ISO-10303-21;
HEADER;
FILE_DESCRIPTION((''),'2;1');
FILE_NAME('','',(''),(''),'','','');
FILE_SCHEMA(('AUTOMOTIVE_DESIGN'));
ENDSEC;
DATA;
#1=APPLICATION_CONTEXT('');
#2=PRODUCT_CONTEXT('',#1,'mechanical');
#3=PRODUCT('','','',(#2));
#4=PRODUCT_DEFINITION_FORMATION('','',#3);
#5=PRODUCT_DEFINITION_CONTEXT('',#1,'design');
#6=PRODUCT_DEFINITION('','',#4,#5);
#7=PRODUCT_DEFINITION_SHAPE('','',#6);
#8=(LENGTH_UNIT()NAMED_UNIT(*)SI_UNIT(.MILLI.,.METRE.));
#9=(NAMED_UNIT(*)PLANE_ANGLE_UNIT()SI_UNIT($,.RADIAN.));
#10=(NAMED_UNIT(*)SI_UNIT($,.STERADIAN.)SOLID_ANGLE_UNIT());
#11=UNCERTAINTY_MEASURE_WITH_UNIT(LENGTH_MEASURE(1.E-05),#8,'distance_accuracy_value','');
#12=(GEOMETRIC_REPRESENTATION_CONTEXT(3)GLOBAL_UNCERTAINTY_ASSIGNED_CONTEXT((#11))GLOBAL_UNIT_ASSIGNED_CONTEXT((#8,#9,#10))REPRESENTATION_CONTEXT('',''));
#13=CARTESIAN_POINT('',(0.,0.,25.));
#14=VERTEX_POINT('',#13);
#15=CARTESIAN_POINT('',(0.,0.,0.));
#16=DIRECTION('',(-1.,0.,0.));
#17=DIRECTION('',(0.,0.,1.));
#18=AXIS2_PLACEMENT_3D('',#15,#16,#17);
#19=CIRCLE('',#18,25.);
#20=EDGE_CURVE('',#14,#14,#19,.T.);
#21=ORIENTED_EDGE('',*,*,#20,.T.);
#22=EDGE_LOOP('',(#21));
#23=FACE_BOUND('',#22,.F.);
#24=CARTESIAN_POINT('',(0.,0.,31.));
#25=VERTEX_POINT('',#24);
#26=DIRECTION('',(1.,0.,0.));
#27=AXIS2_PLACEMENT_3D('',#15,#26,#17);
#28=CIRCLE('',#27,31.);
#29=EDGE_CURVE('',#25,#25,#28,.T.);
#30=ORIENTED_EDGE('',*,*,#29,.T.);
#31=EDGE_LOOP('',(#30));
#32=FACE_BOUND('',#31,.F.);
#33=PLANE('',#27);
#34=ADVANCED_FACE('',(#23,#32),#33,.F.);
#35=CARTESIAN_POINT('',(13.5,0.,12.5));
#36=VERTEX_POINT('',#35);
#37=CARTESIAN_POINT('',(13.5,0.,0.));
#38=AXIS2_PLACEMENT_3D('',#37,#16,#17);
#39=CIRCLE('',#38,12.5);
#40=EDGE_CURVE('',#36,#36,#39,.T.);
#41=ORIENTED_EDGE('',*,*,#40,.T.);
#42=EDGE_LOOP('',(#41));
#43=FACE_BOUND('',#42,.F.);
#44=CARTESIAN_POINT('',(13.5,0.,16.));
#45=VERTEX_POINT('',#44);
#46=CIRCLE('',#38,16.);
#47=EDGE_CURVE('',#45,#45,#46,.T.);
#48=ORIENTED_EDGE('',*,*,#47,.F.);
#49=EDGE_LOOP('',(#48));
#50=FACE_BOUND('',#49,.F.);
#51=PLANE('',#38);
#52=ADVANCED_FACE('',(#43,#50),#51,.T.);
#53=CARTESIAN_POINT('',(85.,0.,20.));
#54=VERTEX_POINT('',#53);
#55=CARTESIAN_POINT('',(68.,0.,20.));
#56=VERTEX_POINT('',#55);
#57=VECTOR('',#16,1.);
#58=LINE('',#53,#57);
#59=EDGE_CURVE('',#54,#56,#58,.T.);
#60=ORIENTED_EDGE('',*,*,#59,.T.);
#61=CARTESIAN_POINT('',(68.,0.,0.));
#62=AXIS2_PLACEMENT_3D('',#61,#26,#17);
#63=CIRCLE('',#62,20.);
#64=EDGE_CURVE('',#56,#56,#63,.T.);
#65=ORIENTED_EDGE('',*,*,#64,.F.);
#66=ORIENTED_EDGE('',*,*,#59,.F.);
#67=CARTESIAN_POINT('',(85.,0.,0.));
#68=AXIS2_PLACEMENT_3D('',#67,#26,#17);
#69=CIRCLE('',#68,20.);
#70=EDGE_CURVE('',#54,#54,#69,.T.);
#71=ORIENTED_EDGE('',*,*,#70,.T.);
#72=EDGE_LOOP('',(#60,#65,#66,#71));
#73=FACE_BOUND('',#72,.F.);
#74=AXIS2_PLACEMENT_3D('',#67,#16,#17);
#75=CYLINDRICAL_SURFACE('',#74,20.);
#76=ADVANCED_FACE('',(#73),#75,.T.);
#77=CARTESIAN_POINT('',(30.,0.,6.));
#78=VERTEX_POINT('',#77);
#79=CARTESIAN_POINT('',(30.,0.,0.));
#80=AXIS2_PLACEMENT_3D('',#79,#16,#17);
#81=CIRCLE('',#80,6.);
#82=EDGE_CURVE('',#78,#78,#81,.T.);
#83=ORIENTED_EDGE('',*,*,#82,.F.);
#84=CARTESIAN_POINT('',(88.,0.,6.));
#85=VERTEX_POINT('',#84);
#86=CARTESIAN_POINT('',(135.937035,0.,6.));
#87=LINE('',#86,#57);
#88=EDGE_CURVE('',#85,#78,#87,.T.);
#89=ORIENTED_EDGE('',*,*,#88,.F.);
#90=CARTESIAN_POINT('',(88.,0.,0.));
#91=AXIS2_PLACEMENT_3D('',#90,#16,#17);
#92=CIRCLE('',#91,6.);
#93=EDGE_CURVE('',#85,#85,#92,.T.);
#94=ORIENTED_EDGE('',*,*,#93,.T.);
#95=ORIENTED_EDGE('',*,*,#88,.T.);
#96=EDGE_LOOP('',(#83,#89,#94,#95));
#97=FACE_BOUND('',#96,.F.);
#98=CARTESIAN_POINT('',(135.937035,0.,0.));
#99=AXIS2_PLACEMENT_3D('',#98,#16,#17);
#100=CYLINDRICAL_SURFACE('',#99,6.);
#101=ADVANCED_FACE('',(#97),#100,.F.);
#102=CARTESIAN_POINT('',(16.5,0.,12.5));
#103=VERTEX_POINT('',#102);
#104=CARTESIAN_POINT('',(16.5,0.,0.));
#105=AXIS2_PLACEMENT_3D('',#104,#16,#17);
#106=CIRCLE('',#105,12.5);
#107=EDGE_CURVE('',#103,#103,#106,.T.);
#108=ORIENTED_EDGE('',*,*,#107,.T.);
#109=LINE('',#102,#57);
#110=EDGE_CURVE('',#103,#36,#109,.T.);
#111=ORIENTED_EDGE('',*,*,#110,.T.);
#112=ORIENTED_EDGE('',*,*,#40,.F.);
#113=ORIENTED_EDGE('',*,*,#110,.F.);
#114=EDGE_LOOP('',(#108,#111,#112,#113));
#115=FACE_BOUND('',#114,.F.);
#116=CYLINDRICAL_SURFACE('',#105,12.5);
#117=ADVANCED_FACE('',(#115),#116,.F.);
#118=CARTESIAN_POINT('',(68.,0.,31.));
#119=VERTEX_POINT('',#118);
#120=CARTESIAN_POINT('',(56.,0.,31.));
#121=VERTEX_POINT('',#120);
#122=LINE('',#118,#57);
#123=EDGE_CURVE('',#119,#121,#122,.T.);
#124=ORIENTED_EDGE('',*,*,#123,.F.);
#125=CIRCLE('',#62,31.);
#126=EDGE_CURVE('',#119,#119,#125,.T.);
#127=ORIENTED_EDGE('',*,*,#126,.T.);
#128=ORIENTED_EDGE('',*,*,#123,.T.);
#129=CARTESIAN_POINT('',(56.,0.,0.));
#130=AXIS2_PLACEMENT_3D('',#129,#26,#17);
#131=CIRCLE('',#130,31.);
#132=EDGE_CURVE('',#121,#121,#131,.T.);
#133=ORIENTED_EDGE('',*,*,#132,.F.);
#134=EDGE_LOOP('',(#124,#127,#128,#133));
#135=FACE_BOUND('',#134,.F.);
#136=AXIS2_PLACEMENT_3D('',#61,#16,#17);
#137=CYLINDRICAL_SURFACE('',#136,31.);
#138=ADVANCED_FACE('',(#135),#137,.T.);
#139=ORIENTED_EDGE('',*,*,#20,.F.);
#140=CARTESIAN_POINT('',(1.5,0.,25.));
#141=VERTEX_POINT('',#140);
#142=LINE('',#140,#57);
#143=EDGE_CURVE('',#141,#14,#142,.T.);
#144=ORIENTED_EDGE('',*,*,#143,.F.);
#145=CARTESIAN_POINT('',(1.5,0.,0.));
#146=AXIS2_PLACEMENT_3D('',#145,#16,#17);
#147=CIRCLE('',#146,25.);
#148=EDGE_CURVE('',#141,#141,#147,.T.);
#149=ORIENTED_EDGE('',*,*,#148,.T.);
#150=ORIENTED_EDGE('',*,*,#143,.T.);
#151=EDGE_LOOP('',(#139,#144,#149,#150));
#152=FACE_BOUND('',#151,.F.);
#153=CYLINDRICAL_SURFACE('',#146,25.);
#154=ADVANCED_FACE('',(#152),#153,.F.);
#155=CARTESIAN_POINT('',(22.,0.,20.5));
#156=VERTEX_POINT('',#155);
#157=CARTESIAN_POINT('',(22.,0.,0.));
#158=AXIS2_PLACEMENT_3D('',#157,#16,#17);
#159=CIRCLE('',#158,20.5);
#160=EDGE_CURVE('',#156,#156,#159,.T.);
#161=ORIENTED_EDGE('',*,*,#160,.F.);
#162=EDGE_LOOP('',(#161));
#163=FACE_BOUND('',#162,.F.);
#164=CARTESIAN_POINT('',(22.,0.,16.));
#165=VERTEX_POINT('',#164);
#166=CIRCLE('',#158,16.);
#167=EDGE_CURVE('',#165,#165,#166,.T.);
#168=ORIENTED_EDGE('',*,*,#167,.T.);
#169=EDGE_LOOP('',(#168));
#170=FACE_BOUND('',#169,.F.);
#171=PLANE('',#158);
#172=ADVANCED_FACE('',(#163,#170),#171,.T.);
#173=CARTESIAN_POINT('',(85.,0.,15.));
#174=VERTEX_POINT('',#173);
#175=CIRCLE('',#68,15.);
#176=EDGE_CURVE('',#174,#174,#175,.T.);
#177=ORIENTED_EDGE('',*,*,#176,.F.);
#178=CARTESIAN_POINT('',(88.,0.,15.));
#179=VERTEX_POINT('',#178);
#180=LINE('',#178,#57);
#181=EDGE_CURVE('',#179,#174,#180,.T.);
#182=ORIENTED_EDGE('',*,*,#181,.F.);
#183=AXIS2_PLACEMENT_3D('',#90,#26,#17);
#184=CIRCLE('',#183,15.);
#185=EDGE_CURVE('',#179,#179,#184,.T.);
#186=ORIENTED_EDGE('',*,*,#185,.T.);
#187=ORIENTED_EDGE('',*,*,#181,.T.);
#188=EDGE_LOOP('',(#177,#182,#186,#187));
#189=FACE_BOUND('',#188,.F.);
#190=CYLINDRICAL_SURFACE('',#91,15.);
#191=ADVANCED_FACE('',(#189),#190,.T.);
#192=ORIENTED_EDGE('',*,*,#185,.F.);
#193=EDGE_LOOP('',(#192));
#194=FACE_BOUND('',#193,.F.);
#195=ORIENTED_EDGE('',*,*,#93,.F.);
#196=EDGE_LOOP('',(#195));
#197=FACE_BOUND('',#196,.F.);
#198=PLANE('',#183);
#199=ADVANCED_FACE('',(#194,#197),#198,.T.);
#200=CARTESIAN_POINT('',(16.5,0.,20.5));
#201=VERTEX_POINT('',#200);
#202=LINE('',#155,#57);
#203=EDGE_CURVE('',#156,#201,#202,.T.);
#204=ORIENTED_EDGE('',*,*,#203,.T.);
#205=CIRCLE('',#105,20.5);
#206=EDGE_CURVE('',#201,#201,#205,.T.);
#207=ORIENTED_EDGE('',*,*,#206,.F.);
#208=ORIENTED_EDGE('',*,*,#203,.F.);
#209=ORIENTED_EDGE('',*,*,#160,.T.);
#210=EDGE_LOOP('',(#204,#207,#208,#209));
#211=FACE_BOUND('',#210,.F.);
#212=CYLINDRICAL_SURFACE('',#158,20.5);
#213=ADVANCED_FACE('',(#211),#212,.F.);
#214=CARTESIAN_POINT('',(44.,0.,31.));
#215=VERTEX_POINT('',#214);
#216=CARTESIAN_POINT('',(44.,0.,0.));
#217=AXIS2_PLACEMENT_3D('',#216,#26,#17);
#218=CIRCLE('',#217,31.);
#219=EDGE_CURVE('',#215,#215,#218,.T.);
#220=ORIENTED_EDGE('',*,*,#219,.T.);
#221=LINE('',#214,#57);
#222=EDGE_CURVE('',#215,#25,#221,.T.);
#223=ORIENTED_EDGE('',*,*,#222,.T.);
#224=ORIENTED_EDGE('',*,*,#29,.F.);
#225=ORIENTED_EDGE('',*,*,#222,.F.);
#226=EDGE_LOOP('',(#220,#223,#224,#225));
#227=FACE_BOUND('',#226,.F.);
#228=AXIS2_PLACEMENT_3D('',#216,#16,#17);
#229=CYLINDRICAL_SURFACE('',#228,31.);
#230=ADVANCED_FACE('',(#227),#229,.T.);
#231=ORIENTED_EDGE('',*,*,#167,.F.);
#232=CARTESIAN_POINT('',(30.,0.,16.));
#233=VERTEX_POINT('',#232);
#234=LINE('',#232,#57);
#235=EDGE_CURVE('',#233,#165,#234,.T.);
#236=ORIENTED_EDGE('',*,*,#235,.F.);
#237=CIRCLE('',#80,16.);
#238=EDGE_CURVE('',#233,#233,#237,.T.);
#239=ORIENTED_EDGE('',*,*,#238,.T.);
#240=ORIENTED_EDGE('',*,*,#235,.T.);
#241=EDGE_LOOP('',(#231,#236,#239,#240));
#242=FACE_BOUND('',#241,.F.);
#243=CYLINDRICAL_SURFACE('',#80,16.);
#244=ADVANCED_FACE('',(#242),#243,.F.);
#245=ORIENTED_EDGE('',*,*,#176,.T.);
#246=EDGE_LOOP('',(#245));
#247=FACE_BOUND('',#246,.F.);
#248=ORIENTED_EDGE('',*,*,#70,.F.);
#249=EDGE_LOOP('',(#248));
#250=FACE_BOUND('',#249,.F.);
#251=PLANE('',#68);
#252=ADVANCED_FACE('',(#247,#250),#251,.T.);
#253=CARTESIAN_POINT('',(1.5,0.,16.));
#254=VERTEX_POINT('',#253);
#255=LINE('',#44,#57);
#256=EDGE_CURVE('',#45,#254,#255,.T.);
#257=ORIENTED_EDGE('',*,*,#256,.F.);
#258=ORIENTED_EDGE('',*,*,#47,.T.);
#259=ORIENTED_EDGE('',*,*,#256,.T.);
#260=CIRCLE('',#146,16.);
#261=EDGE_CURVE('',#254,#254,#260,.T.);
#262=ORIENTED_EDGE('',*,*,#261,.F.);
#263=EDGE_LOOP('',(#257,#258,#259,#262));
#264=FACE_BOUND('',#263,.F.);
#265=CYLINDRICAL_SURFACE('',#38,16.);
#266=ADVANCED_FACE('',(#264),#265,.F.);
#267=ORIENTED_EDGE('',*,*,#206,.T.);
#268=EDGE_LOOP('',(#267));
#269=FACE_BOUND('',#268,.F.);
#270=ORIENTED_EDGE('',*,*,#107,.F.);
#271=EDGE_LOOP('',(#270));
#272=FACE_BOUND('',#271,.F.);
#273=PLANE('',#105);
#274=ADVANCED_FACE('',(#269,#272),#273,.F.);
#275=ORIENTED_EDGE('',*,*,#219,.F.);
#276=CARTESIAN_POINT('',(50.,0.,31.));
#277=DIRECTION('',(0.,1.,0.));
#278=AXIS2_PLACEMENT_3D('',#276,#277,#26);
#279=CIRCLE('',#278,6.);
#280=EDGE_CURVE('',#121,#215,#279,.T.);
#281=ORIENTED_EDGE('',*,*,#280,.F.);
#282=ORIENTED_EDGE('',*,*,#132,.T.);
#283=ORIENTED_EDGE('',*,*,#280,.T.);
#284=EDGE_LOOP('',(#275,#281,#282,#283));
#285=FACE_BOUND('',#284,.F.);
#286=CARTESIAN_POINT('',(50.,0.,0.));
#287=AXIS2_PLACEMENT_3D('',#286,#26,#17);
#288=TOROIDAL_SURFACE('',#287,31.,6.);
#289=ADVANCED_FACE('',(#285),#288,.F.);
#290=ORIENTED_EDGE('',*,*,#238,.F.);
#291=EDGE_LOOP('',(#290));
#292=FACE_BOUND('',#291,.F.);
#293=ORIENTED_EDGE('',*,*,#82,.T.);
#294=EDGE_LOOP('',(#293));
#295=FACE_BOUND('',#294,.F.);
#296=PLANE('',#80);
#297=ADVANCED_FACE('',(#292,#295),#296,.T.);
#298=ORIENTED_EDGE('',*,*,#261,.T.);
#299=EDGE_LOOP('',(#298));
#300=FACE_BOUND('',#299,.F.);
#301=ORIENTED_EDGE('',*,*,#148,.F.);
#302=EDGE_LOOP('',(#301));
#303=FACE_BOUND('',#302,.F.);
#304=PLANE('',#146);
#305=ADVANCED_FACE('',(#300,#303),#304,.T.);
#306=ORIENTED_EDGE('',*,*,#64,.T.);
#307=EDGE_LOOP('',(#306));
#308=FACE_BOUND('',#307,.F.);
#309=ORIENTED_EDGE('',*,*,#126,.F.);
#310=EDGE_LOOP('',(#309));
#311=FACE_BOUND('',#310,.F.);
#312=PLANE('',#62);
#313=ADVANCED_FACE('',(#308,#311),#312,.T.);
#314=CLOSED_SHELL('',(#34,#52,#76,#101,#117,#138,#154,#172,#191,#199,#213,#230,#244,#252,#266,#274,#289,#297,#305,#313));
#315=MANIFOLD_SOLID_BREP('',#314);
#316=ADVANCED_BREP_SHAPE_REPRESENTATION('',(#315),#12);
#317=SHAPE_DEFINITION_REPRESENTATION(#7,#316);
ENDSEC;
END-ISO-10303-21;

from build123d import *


with BuildPart() as f1:
    # F0 (on Front) → F1 (revolve)
    with BuildSketch(Plane.XZ):
        with BuildLine():
            Line((0, 31), (0, 0))
            Line((0, 0), (88, 0))
            Line((88, 0), (88, 15))
            Line((88, 15), (85, 15))
            Line((85, 15), (85, 20))
            Line((85, 20), (68, 20))
            Line((68, 20), (68, 31))
            Line((68, 31), (56, 31))
            ThreePointArc((56, 31), (50, 25), (44, 31))
            Line((44, 31), (0, 31))
        make_face()
    revolve(axis=Axis((54.523584, 0, 0), (1, 0, 0)))

    # F2 (on Front) → F3 (revolve, cut)
    with BuildSketch(Plane.XZ):
        Polygon((0, 25), (0, 0), (135.937035, 0), (135.937035, 6), (30, 6), (30, 16), (22, 16), (22, 20.5), (16.5, 20.5), (16.5, 12.5), (13.5, 12.5), (13.5, 16), (1.5, 16), (1.5, 25), align=None)
    revolve(axis=Axis((-19.679806, 0, 0), (-1, 0, 0)), mode=Mode.SUBTRACT)


solid = f1.part
